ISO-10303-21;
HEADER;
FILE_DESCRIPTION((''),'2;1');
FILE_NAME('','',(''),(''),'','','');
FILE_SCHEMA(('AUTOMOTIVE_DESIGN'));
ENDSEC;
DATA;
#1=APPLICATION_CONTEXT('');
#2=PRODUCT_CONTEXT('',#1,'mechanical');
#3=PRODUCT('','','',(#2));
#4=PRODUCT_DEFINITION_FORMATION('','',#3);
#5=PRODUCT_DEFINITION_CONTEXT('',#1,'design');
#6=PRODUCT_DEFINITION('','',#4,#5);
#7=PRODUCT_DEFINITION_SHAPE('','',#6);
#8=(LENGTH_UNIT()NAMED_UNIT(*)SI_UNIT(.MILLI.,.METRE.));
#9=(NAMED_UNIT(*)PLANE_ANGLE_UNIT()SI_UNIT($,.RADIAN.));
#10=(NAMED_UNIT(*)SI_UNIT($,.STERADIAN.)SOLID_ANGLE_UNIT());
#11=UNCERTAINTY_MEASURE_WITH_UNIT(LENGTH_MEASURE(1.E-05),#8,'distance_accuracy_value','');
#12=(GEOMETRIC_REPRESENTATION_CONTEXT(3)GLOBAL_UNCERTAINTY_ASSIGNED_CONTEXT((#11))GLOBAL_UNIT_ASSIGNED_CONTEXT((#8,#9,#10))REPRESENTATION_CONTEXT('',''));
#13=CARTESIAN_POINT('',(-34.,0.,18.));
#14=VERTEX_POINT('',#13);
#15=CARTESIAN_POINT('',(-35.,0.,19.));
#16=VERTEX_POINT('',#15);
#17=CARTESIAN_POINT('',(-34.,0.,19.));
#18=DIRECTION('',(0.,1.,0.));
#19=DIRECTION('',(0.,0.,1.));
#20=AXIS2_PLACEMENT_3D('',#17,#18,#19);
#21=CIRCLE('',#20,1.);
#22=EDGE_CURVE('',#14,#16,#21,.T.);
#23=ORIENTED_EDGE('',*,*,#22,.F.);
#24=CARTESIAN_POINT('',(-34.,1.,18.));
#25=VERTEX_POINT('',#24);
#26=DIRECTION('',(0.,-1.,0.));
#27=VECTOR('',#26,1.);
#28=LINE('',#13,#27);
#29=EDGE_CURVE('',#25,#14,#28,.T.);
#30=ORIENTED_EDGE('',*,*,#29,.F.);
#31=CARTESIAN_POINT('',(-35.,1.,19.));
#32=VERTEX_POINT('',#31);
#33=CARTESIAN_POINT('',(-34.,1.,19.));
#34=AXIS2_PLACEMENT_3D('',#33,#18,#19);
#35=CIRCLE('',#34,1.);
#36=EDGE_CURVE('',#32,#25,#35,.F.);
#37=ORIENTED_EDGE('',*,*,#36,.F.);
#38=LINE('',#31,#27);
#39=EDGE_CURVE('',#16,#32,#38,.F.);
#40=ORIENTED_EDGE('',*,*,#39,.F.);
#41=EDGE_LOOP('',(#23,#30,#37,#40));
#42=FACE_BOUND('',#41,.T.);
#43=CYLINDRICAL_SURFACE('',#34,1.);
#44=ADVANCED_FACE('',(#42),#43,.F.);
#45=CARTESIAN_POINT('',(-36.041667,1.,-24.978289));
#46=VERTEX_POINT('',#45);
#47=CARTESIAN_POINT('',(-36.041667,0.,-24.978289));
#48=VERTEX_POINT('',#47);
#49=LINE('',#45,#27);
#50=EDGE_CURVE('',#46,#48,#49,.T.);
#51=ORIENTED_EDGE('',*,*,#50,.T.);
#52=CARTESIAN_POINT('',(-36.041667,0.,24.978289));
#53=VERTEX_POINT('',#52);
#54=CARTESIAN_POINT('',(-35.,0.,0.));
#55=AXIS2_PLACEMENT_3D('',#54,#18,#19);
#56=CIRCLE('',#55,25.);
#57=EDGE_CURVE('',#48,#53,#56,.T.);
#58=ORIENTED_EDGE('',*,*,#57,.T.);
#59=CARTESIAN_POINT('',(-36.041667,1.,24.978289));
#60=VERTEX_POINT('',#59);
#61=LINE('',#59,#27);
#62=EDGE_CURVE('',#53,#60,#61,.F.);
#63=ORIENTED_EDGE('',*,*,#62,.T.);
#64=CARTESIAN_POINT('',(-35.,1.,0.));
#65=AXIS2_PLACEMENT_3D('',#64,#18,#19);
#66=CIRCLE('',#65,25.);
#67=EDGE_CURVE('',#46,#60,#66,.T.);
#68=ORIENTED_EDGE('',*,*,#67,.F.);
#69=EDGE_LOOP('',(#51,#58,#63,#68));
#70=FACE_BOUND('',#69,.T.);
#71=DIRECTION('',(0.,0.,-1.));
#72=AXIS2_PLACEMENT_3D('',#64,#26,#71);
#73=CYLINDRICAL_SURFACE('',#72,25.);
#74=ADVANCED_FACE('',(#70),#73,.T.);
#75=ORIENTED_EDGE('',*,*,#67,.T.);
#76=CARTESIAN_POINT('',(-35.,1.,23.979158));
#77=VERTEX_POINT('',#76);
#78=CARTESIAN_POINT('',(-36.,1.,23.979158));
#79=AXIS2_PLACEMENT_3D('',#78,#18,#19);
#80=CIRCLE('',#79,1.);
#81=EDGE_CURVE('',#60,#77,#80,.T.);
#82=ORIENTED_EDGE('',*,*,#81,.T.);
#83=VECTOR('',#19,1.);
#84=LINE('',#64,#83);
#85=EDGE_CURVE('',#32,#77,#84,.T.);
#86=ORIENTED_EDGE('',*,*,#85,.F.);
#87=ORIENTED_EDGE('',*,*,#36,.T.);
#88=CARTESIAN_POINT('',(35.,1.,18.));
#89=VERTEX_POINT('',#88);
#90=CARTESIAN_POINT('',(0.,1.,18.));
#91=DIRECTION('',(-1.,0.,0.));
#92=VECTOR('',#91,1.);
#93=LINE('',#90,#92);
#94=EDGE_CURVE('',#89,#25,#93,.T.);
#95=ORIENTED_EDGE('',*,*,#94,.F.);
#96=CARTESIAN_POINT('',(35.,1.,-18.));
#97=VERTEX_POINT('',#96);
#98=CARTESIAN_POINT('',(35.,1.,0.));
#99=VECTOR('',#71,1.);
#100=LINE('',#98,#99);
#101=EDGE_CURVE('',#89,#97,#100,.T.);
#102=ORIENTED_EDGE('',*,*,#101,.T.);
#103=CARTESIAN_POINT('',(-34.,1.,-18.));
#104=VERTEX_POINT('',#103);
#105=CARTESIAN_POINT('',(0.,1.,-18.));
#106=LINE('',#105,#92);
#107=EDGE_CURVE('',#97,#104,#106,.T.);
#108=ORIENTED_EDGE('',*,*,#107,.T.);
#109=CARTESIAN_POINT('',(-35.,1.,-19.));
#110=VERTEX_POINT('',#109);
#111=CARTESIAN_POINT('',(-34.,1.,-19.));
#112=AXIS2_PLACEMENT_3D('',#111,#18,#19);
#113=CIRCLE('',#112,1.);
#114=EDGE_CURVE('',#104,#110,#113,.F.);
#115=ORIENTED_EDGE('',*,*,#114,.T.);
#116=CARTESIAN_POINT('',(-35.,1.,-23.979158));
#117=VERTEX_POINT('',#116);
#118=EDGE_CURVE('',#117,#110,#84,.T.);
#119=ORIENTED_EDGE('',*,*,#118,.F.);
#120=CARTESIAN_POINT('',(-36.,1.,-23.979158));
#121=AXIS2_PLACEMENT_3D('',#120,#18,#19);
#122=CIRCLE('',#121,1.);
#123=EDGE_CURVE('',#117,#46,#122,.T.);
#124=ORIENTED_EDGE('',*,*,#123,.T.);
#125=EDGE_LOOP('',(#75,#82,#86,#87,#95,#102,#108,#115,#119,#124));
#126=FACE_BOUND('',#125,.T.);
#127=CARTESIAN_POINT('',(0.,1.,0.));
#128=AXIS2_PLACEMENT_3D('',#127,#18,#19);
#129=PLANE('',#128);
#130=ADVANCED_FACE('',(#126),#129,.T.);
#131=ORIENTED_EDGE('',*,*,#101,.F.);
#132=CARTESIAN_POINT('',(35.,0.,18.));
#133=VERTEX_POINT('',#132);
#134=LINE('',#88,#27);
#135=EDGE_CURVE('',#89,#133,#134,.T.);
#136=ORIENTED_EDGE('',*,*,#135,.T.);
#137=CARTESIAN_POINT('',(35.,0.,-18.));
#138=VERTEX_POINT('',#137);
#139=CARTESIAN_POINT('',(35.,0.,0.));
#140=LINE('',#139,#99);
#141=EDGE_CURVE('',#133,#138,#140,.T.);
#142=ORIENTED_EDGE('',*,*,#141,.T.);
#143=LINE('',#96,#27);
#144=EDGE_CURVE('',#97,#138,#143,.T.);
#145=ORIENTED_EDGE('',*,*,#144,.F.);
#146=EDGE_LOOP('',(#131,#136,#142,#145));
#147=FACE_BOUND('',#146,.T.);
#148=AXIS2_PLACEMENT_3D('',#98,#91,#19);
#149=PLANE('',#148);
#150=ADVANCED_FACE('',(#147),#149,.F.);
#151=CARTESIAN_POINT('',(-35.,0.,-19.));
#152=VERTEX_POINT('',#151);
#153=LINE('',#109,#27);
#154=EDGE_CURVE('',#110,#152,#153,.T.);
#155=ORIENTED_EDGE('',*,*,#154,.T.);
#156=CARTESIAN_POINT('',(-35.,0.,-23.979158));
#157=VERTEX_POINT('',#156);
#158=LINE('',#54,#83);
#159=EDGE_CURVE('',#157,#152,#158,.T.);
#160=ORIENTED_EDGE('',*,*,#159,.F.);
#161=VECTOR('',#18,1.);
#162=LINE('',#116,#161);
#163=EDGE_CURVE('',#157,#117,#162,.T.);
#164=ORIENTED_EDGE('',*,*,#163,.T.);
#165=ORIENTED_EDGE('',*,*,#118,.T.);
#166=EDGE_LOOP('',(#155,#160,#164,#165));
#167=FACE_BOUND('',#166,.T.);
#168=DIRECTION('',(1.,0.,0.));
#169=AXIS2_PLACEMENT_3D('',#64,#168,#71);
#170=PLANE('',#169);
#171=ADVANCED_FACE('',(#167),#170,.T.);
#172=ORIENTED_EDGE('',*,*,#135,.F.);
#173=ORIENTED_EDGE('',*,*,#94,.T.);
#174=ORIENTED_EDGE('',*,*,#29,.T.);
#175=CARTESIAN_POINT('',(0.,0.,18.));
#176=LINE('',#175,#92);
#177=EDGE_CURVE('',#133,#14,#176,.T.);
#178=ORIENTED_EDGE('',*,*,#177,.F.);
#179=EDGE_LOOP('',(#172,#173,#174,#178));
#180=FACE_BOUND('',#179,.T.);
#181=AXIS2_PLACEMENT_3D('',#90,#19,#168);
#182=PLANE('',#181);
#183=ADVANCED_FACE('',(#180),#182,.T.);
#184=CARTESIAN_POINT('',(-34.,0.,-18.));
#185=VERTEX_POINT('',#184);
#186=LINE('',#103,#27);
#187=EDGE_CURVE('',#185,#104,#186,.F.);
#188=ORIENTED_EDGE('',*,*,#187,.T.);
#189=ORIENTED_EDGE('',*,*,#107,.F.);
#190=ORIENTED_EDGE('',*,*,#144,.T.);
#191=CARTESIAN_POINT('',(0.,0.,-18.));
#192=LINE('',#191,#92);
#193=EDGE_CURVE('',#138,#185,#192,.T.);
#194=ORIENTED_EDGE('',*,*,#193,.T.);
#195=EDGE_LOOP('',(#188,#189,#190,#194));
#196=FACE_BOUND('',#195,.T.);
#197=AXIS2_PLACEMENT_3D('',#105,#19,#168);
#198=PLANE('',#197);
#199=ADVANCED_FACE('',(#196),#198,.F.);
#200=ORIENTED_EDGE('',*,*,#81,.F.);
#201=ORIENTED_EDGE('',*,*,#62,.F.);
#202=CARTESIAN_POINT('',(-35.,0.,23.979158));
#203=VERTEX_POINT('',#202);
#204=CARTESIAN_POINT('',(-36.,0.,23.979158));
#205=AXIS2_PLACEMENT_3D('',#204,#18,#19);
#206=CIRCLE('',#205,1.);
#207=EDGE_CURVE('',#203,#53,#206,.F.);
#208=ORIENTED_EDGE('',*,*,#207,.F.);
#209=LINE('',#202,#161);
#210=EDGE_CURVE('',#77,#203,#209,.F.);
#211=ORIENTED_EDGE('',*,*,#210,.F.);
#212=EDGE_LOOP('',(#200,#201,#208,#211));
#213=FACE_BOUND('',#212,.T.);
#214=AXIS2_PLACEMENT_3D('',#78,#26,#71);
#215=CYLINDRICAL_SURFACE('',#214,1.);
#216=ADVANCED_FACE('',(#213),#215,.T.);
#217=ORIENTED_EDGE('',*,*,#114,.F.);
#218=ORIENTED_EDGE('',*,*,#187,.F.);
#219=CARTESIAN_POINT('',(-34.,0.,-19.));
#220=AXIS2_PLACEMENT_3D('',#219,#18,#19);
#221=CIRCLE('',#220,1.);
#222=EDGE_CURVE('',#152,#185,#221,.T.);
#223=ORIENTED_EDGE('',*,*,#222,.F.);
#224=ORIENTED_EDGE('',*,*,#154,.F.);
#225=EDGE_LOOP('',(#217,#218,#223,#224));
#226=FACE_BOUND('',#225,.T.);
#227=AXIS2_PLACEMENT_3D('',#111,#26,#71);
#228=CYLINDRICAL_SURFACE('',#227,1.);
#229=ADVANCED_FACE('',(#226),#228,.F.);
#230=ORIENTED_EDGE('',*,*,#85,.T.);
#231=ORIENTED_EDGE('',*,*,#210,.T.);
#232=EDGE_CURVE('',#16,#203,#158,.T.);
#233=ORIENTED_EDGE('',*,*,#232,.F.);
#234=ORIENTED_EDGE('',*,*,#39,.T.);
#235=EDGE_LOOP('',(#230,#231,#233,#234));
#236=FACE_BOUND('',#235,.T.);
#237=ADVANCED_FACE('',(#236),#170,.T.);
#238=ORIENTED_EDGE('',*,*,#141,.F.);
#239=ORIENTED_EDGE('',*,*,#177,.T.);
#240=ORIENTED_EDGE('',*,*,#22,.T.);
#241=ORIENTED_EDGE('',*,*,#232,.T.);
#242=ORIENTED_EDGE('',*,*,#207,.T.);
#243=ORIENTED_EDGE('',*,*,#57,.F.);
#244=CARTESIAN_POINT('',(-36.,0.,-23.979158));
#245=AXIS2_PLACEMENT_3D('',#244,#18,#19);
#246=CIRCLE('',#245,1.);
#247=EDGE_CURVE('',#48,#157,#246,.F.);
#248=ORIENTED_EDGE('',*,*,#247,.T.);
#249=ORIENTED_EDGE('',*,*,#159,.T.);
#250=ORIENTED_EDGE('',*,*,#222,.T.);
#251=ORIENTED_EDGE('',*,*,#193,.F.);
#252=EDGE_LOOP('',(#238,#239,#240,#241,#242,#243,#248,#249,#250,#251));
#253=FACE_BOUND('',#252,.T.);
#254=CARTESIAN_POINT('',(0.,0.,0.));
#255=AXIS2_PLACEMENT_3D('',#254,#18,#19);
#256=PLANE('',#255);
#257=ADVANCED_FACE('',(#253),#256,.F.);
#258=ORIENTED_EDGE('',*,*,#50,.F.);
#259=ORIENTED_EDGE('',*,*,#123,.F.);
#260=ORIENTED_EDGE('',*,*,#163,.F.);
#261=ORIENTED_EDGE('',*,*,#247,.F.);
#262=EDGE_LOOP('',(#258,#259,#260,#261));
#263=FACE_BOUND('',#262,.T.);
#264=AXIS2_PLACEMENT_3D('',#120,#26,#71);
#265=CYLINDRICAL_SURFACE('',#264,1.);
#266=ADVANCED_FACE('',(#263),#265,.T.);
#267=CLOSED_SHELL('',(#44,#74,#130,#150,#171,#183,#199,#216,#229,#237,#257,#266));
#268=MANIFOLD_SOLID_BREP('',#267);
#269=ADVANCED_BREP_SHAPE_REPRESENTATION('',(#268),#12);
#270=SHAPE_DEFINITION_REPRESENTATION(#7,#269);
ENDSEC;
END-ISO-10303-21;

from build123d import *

# Parameters (mm, degrees)
SKETCH1_W           = 70
SKETCH1_H           = 36
BOSS_EXTRUDE1_DEPTH = 1
FILLET1_R           = 1


with BuildPart() as part:
    # Sketch1 → Boss-Extrude1 (new body)
    with BuildSketch(Plane(origin=(0, 0, 0), x_dir=(1, 0, 0), z_dir=(0, 1, 0))):
        with BuildLine():
            Line((-35, 25), (-35, 18))
            Line((-35, 18), (-35, -18))
            Line((-35, -18), (-35, -25))
            ThreePointArc((-35, -25), (-60, 0), (-35, 25))
        make_face()
        Rectangle(SKETCH1_W, SKETCH1_H)
    extrude(amount=BOSS_EXTRUDE1_DEPTH)

    # Fillet1
    fillet1_edges = [part.edges().sort_by_distance(p)[0] for p in [
        (-35, 0.5, -18),
        (-35, 0.5, 18),
        (-35, 0.5, 25),
        (-35, 0.5, -25),
    ]]
    fillet(fillet1_edges, radius=FILLET1_R)


solid = part.part
